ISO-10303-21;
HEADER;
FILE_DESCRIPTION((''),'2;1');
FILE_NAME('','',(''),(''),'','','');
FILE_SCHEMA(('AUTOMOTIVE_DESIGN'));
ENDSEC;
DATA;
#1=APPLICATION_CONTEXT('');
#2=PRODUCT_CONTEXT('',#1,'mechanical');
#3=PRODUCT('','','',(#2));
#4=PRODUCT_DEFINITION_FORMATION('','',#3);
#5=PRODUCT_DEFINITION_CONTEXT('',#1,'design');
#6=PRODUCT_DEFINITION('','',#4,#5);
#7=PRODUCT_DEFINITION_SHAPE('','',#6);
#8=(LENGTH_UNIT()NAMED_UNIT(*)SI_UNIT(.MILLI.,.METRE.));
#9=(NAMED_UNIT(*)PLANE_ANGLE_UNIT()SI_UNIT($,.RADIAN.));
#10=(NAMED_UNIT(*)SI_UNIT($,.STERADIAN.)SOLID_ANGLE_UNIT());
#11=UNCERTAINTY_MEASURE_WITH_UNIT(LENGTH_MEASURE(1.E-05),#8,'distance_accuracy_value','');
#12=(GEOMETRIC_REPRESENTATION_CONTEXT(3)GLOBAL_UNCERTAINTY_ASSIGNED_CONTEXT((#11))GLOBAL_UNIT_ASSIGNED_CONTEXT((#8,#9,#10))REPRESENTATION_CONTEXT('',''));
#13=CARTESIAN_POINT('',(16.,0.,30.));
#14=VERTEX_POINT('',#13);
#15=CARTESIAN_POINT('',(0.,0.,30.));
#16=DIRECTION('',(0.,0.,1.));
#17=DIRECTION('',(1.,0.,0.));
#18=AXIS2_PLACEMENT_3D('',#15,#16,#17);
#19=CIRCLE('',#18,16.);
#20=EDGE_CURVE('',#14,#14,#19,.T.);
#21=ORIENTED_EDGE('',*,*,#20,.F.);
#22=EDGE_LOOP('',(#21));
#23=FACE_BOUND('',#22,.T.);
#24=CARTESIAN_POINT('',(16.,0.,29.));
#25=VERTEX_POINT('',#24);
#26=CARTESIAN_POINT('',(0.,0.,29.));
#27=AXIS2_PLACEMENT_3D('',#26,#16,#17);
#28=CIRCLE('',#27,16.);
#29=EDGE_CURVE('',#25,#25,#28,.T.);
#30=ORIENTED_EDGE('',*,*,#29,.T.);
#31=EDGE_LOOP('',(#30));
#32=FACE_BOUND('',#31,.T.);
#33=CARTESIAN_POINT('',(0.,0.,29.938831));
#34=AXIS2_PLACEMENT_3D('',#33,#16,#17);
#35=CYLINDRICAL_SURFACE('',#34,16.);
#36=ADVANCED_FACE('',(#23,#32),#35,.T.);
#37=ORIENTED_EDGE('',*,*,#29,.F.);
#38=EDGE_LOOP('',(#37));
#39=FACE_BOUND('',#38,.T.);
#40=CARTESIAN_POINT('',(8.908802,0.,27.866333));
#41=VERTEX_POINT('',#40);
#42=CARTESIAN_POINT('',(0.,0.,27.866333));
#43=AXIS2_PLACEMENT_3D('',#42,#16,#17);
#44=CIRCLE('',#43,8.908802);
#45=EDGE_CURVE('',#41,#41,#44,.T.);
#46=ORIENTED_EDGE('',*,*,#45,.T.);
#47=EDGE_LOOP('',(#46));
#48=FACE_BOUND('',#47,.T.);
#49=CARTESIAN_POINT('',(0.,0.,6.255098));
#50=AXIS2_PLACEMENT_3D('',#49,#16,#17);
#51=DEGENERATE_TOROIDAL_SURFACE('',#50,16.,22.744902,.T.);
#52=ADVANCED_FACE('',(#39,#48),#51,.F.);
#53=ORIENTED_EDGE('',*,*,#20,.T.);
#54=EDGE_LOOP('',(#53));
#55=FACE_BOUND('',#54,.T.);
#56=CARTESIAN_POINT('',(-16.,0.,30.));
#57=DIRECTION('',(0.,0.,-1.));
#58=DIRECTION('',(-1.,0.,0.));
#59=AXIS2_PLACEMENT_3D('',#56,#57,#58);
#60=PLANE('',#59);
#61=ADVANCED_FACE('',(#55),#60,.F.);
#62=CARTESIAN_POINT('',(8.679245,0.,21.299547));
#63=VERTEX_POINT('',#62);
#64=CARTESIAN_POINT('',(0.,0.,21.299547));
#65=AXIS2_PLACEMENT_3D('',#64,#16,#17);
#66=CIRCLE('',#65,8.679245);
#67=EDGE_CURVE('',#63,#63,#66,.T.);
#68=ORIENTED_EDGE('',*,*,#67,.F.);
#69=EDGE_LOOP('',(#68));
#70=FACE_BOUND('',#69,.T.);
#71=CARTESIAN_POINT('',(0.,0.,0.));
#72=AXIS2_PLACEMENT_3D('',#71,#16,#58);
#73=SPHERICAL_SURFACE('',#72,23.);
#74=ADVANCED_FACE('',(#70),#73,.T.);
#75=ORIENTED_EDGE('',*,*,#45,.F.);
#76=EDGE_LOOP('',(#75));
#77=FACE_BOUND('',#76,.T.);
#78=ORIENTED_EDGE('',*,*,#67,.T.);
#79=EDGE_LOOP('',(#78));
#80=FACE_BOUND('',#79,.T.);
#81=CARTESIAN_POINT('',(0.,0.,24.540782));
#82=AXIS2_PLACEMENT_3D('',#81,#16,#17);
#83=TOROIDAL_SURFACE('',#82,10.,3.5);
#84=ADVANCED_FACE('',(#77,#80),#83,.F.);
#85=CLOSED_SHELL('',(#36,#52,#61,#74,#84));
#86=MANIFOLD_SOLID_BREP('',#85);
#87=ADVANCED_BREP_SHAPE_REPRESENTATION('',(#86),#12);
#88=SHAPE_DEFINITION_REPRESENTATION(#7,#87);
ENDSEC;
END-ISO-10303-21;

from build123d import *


with BuildPart() as part:
    # Sketch2 → Revolve4 (revolve)
    with BuildSketch(Plane(origin=(0, 0, 0), x_dir=(1, 0, 0), z_dir=(0, 1, 0)), mode=Mode.PRIVATE) as revolve4_sk:
        with BuildLine():
            Line((-16, -30), (-16, -29))
            ThreePointArc((-16, -29), (-12.409377113, -28.714795113), (-8.908801937, -27.866332983))
            ThreePointArc((-8.908801937, -27.866332983), (-6.502136556, -24.663058003), (-8.679245283, -21.299546974))
            ThreePointArc((-8.679245283, -21.299546974), (-22.570883682, 4.422127293), (0, 23))
            Line((0, 23), (0, -30))
            Line((0, -30), (-16, -30))
        make_face()
    revolve(revolve4_sk.sketch.rotate(Axis((0, 0, 29.938830716), (0, 0, -1)), 180), axis=Axis((0, 0, 29.938830716), (0, 0, -1)))


solid = part.part
